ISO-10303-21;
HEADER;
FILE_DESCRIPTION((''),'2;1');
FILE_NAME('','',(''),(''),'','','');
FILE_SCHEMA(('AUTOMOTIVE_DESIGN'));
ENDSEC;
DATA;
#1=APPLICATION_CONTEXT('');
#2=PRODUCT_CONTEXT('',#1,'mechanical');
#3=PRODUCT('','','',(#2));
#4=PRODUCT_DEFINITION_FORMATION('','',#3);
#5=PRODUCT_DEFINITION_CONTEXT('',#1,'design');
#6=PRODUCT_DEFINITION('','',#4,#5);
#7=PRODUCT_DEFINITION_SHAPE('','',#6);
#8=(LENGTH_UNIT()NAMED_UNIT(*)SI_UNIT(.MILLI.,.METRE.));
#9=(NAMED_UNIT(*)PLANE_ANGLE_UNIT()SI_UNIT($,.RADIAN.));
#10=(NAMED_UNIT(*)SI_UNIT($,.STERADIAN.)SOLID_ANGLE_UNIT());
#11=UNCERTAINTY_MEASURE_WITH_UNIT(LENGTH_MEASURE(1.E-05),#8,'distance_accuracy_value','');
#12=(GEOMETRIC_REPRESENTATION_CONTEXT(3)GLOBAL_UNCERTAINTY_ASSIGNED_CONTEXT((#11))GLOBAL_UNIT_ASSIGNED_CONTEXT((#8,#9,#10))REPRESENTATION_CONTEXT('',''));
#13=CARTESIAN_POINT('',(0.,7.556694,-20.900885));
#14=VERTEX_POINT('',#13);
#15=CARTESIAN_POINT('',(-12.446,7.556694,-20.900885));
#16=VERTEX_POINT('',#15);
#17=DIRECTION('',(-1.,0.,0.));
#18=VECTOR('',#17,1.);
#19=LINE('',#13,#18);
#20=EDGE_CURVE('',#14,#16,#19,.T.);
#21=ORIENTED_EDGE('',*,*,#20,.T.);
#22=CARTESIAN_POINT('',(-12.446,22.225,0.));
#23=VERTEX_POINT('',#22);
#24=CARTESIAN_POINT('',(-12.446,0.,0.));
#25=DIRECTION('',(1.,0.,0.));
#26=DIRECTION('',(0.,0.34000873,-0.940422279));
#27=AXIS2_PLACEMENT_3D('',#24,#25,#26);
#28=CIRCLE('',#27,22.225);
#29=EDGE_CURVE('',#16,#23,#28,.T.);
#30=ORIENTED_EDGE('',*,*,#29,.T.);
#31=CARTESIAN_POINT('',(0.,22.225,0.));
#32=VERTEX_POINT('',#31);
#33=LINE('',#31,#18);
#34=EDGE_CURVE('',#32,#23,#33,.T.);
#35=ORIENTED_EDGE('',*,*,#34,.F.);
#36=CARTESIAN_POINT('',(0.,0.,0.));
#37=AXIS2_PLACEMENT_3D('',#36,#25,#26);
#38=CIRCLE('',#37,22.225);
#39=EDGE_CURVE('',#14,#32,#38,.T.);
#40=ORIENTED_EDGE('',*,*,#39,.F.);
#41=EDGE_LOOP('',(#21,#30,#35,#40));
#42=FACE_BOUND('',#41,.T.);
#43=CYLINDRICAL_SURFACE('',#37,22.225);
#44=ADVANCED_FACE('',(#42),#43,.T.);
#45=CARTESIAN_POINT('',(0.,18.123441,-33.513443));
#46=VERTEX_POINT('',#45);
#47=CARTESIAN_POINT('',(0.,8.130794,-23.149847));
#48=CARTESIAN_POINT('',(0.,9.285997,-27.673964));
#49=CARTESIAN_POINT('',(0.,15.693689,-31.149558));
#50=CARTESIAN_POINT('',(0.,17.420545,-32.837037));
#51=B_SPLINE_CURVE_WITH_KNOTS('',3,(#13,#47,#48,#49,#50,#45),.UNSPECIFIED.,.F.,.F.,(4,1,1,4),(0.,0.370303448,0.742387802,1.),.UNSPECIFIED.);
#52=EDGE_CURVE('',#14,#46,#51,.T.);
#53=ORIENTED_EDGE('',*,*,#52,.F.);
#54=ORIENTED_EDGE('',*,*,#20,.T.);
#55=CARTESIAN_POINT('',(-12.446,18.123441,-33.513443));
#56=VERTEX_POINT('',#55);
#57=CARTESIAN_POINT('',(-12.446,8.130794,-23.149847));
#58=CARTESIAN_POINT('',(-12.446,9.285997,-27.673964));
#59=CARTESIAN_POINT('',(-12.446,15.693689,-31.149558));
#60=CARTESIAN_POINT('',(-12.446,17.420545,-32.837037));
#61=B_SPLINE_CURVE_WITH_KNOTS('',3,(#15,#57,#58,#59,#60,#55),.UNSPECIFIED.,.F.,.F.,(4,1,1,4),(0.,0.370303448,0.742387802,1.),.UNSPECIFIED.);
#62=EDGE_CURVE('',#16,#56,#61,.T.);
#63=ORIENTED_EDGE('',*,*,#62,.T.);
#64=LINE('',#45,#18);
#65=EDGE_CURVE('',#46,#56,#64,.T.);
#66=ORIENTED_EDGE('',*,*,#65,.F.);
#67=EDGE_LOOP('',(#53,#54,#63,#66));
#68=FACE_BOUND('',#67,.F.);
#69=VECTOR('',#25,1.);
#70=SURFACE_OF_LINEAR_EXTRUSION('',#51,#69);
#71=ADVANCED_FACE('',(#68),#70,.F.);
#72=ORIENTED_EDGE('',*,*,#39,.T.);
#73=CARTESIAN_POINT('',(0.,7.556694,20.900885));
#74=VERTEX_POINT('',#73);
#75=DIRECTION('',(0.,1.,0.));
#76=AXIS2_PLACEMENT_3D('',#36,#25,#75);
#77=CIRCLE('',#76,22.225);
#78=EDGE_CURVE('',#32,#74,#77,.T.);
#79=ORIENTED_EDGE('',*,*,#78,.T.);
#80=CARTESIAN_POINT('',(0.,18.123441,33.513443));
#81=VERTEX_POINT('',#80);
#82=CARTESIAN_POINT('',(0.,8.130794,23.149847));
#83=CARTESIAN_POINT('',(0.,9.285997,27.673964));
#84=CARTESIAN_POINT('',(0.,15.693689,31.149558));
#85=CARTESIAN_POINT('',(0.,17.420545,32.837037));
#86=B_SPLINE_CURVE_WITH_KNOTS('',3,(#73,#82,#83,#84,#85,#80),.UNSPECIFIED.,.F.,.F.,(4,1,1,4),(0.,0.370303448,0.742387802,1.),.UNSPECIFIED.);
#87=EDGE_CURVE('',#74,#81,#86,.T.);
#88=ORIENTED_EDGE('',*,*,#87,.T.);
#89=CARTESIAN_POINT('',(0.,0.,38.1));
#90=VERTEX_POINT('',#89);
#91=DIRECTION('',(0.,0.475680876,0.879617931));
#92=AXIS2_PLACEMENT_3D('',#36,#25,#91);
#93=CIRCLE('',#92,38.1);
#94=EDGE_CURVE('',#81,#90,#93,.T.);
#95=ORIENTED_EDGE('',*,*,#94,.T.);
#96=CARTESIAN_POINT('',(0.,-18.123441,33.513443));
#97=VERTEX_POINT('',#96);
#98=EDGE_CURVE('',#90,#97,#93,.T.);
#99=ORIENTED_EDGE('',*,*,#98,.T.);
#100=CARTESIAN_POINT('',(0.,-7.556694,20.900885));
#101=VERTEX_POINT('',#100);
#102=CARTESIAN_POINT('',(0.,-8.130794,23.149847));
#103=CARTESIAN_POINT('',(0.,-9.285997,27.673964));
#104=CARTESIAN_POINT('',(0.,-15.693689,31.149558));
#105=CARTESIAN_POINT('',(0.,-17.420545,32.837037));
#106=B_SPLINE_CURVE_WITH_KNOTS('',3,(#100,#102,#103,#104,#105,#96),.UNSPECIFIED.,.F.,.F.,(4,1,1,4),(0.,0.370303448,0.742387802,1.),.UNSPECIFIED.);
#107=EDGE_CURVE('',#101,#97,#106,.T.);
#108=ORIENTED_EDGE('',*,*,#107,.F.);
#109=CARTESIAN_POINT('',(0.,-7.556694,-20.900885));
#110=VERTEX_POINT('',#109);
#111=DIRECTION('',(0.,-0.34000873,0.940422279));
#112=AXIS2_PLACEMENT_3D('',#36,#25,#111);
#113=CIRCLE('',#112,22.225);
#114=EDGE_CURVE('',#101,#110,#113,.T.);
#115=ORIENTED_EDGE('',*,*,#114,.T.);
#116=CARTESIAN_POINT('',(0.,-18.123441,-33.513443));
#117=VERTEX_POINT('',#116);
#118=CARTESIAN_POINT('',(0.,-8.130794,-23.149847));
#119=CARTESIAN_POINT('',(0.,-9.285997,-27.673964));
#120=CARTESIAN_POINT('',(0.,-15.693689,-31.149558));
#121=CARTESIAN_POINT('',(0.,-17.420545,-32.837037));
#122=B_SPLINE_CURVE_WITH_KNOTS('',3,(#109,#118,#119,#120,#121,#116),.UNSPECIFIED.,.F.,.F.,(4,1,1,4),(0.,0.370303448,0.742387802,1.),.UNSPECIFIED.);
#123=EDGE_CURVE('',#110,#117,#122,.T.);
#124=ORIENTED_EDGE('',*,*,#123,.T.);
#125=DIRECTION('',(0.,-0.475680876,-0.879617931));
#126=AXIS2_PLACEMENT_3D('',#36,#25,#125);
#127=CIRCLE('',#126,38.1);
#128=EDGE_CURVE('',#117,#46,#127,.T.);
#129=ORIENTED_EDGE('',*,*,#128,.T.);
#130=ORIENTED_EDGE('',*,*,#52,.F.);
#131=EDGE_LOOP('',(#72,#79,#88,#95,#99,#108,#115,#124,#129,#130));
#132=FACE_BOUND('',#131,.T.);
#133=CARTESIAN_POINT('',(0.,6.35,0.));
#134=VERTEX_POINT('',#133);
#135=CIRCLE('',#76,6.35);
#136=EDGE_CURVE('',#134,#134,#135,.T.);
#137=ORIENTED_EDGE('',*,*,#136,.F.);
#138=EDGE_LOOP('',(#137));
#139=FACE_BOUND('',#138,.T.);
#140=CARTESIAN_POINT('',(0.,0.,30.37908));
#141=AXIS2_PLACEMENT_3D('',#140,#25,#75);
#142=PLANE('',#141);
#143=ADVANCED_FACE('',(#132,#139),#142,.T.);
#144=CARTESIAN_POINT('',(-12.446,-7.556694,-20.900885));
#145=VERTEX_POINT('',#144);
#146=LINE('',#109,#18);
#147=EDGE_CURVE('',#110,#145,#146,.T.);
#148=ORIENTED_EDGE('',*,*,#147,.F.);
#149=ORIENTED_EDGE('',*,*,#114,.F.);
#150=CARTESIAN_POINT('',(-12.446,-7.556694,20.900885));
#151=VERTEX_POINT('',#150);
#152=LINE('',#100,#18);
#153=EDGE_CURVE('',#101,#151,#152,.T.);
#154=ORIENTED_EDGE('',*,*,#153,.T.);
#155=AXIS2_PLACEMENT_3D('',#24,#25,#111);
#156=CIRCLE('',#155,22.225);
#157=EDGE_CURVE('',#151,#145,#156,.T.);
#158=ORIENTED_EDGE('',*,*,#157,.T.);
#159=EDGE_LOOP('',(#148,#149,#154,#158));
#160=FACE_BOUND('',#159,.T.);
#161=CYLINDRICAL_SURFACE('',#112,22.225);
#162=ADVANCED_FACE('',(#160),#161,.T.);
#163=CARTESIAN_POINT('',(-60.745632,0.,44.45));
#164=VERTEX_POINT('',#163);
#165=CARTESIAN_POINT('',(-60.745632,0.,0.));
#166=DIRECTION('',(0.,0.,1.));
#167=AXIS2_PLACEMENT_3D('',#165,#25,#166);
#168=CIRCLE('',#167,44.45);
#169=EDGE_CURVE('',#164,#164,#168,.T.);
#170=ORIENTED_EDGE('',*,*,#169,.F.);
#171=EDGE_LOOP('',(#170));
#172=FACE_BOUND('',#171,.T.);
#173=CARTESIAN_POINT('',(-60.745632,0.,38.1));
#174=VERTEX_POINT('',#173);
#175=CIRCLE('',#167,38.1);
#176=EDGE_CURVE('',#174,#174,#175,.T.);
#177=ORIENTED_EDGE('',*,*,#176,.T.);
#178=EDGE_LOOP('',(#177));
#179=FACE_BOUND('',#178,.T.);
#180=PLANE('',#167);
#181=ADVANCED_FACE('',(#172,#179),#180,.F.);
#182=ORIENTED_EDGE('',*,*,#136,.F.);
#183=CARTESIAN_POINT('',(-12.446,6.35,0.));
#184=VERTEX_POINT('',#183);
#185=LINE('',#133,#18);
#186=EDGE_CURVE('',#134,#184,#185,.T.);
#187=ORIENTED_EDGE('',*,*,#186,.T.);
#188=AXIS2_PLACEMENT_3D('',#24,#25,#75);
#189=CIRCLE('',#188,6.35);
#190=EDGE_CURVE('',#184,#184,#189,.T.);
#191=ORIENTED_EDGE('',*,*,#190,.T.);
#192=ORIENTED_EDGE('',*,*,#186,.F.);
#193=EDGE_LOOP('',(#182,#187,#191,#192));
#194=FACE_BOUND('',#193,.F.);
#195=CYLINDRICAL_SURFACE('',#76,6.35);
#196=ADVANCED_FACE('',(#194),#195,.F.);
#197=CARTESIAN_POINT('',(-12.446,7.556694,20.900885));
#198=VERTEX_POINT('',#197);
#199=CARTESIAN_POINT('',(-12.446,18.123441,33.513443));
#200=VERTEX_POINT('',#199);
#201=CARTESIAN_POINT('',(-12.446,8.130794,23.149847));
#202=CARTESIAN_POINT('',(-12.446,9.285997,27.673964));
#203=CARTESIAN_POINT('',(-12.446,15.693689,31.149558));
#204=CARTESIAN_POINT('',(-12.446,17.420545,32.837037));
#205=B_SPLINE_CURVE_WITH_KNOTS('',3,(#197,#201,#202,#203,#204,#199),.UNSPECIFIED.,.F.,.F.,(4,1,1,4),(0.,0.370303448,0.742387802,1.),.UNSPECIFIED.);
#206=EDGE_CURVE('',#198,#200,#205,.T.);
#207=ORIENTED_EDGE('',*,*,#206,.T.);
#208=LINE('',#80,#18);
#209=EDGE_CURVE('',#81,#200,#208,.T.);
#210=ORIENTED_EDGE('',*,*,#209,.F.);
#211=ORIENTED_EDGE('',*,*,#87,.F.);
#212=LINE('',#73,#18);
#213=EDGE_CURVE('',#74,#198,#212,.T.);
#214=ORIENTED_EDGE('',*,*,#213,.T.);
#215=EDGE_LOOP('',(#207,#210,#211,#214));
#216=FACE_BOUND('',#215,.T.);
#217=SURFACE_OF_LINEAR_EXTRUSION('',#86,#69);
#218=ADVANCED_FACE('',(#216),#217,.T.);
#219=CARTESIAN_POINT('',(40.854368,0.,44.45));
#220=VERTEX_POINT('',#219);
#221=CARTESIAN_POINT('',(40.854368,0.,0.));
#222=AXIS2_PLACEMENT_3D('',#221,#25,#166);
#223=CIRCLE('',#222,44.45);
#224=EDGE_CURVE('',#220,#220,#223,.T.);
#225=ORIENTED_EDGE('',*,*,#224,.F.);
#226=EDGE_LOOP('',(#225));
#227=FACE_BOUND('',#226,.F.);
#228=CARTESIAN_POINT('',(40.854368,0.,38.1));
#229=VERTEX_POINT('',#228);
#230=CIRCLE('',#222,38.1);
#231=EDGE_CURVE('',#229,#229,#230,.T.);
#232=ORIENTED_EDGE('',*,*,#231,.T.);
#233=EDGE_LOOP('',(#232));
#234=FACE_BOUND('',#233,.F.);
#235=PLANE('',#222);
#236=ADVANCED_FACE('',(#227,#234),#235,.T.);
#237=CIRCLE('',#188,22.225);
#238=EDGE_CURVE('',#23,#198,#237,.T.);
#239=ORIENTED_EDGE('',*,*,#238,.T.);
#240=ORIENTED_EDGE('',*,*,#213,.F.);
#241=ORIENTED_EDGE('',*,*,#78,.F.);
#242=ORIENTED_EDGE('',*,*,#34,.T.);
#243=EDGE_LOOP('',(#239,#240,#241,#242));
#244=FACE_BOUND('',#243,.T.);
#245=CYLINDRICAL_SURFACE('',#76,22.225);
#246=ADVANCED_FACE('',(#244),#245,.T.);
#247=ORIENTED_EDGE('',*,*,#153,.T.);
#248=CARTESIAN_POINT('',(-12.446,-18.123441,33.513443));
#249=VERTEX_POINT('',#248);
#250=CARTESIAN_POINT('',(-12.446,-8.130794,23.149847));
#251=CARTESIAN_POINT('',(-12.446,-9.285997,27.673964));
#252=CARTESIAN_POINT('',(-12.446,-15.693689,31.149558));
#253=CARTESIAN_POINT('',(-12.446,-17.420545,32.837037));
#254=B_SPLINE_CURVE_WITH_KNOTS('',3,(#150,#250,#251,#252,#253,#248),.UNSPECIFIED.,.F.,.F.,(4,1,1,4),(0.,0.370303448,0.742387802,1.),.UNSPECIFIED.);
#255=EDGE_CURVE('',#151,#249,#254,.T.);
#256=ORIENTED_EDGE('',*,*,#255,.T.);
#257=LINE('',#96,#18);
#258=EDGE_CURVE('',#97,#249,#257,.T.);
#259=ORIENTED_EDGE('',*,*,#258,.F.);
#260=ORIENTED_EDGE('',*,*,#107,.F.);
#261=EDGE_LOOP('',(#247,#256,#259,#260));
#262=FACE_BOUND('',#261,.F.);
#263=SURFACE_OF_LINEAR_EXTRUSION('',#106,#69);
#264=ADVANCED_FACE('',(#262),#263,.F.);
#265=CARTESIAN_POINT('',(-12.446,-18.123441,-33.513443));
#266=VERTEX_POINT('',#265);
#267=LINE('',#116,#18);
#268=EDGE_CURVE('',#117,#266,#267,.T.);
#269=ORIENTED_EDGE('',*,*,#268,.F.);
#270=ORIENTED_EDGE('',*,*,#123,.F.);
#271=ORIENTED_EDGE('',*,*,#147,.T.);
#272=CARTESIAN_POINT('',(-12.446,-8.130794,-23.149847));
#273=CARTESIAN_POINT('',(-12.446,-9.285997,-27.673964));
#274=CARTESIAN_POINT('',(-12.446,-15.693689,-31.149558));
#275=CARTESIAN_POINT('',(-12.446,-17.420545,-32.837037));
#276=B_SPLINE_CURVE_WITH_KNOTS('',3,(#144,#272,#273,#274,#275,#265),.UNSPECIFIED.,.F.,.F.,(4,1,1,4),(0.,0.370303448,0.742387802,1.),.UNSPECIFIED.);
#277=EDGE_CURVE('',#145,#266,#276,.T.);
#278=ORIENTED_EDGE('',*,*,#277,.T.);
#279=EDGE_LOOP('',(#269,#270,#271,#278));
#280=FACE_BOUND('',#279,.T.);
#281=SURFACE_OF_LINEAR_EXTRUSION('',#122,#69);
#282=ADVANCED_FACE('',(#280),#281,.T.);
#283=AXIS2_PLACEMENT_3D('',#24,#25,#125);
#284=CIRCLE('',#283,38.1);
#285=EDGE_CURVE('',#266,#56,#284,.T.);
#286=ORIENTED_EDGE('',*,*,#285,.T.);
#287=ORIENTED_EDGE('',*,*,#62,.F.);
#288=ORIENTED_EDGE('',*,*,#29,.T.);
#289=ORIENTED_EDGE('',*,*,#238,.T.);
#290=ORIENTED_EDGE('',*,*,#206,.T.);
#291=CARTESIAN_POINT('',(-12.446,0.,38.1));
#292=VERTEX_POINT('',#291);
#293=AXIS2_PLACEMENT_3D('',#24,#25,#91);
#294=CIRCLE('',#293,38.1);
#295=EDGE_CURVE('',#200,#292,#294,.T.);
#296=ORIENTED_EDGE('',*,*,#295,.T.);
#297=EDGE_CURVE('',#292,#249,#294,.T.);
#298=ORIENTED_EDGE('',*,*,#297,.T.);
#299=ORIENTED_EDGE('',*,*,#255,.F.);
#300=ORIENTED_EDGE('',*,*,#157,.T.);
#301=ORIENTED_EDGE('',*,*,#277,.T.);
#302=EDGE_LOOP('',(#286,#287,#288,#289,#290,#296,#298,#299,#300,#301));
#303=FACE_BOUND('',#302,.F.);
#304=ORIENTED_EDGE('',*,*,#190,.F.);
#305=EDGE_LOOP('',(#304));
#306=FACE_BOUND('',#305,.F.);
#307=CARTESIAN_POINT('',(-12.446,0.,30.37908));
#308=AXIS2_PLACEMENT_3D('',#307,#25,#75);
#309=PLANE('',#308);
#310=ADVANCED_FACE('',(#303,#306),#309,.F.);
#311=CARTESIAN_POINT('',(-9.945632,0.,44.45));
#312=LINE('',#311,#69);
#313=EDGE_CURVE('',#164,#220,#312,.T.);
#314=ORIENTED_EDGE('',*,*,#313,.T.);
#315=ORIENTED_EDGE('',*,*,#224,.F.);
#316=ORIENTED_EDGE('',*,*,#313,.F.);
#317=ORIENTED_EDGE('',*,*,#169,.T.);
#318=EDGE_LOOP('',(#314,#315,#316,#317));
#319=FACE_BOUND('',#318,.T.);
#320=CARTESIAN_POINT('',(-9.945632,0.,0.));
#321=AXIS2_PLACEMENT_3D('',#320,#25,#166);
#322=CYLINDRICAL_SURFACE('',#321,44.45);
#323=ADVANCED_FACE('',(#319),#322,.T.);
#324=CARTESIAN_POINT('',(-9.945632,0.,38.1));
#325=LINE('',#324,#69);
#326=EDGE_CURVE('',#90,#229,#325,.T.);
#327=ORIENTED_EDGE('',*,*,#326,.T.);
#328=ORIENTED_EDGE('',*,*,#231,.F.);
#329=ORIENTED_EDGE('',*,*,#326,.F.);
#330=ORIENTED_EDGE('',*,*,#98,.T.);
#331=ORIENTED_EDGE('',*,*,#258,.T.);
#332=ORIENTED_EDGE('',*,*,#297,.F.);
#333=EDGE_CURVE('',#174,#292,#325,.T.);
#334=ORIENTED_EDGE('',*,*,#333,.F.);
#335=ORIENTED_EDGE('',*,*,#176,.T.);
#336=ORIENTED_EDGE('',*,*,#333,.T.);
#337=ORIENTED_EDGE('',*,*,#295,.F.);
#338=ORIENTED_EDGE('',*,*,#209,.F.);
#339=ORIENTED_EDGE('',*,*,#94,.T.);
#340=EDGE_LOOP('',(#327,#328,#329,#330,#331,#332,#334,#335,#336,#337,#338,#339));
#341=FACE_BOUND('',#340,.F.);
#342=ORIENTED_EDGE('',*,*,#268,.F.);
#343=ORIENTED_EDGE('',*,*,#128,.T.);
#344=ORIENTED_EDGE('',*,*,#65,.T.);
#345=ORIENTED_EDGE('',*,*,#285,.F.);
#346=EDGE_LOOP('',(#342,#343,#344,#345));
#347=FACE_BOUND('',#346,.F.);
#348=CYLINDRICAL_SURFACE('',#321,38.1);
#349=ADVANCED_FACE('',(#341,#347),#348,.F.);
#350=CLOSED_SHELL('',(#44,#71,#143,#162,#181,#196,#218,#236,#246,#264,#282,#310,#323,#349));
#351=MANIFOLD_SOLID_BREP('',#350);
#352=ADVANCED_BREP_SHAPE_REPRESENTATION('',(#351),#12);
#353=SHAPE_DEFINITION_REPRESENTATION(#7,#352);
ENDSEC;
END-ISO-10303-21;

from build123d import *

# Parameters (mm, degrees)
F0_W     = 101.6
F0_H     = 6.35
F2_R     = 6.35
F3_DEPTH = 12.446


with BuildPart() as f1:
    # F0 (on Front) → F1 (revolve)
    with BuildSketch(Plane.XZ):
        with Locations((-9.9456323085, 41.275)):
            Rectangle(F0_W, F0_H)
    revolve(axis=Axis((-36.8506624945, 0, 0), (1, 0, 0)))

    # F2 (on Right) → F3 (join)
    with BuildSketch(Plane.YZ):
        with BuildLine():
            ThreePointArc((-7.5566940289, 20.9008851572), (0, 22.225), (7.5566940289, 20.9008851572))
            add(Edge.make_bspline(
                [(7.5566940289, 20.9008851572), (8.1307940533, 23.1498468847), (9.2859974924, 27.6739638996), (15.6936893767, 31.1495582912), (17.4205445494, 32.8370367229), (18.1234413691, 33.5134431675)],
                knots=[0, 0, 0, 0, 0.3703034477, 0.7423878019, 1, 1, 1, 1], degree=3))
            ThreePointArc((18.1234413691, 33.5134431675), (0, 38.1), (-18.1234413691, 33.5134431675))
            add(Edge.make_bspline(
                [(-7.5566940289, 20.9008851572), (-8.1307940533, 23.1498468847), (-9.2859974924, 27.6739638996), (-15.6936893767, 31.1495582912), (-17.4205445494, 32.8370367229), (-18.1234413691, 33.5134431675)],
                knots=[0, 0, 0, 0, 0.3703034477, 0.7423878019, 1, 1, 1, 1], degree=3))
        make_face()
        with BuildLine():
            ThreePointArc((7.5566940289, -20.9008851572), (18.1920057964, -12.7672060414), (22.225, 0))
            ThreePointArc((22.225, 0), (18.1920057964, 12.7672060414), (7.5566940289, 20.9008851572))
            ThreePointArc((7.5566940289, 20.9008851572), (0, 22.225), (-7.5566940289, 20.9008851572))
            ThreePointArc((-7.5566940289, 20.9008851572), (-22.225, 0), (-7.5566940289, -20.9008851572))
            ThreePointArc((-7.5566940289, -20.9008851572), (0, -22.225), (7.5566940289, -20.9008851572))
        make_face()
        Circle(F2_R, mode=Mode.SUBTRACT)
        with BuildLine():
            add(Edge.make_bspline(
                [(7.5566940289, -20.9008851572), (8.1307940533, -23.1498468847), (9.2859974924, -27.6739638996), (15.6936893767, -31.1495582912), (17.4205445494, -32.8370367229), (18.1234413691, -33.5134431675)],
                knots=[0, 0, 0, 0, 0.3703034477, 0.7423878019, 1, 1, 1, 1], degree=3))
            ThreePointArc((7.5566940289, -20.9008851572), (0, -22.225), (-7.5566940289, -20.9008851572))
            add(Edge.make_bspline(
                [(-7.5566940289, -20.9008851572), (-8.1307940533, -23.1498468847), (-9.2859974924, -27.6739638996), (-15.6936893767, -31.1495582912), (-17.4205445494, -32.8370367229), (-18.1234413691, -33.5134431675)],
                knots=[0, 0, 0, 0, 0.3703034477, 0.7423878019, 1, 1, 1, 1], degree=3))
            ThreePointArc((-18.1234413691, -33.5134431675), (0, -38.1), (18.1234413691, -33.5134431675))
        make_face()
    extrude(amount=-F3_DEPTH)


solid = f1.part
